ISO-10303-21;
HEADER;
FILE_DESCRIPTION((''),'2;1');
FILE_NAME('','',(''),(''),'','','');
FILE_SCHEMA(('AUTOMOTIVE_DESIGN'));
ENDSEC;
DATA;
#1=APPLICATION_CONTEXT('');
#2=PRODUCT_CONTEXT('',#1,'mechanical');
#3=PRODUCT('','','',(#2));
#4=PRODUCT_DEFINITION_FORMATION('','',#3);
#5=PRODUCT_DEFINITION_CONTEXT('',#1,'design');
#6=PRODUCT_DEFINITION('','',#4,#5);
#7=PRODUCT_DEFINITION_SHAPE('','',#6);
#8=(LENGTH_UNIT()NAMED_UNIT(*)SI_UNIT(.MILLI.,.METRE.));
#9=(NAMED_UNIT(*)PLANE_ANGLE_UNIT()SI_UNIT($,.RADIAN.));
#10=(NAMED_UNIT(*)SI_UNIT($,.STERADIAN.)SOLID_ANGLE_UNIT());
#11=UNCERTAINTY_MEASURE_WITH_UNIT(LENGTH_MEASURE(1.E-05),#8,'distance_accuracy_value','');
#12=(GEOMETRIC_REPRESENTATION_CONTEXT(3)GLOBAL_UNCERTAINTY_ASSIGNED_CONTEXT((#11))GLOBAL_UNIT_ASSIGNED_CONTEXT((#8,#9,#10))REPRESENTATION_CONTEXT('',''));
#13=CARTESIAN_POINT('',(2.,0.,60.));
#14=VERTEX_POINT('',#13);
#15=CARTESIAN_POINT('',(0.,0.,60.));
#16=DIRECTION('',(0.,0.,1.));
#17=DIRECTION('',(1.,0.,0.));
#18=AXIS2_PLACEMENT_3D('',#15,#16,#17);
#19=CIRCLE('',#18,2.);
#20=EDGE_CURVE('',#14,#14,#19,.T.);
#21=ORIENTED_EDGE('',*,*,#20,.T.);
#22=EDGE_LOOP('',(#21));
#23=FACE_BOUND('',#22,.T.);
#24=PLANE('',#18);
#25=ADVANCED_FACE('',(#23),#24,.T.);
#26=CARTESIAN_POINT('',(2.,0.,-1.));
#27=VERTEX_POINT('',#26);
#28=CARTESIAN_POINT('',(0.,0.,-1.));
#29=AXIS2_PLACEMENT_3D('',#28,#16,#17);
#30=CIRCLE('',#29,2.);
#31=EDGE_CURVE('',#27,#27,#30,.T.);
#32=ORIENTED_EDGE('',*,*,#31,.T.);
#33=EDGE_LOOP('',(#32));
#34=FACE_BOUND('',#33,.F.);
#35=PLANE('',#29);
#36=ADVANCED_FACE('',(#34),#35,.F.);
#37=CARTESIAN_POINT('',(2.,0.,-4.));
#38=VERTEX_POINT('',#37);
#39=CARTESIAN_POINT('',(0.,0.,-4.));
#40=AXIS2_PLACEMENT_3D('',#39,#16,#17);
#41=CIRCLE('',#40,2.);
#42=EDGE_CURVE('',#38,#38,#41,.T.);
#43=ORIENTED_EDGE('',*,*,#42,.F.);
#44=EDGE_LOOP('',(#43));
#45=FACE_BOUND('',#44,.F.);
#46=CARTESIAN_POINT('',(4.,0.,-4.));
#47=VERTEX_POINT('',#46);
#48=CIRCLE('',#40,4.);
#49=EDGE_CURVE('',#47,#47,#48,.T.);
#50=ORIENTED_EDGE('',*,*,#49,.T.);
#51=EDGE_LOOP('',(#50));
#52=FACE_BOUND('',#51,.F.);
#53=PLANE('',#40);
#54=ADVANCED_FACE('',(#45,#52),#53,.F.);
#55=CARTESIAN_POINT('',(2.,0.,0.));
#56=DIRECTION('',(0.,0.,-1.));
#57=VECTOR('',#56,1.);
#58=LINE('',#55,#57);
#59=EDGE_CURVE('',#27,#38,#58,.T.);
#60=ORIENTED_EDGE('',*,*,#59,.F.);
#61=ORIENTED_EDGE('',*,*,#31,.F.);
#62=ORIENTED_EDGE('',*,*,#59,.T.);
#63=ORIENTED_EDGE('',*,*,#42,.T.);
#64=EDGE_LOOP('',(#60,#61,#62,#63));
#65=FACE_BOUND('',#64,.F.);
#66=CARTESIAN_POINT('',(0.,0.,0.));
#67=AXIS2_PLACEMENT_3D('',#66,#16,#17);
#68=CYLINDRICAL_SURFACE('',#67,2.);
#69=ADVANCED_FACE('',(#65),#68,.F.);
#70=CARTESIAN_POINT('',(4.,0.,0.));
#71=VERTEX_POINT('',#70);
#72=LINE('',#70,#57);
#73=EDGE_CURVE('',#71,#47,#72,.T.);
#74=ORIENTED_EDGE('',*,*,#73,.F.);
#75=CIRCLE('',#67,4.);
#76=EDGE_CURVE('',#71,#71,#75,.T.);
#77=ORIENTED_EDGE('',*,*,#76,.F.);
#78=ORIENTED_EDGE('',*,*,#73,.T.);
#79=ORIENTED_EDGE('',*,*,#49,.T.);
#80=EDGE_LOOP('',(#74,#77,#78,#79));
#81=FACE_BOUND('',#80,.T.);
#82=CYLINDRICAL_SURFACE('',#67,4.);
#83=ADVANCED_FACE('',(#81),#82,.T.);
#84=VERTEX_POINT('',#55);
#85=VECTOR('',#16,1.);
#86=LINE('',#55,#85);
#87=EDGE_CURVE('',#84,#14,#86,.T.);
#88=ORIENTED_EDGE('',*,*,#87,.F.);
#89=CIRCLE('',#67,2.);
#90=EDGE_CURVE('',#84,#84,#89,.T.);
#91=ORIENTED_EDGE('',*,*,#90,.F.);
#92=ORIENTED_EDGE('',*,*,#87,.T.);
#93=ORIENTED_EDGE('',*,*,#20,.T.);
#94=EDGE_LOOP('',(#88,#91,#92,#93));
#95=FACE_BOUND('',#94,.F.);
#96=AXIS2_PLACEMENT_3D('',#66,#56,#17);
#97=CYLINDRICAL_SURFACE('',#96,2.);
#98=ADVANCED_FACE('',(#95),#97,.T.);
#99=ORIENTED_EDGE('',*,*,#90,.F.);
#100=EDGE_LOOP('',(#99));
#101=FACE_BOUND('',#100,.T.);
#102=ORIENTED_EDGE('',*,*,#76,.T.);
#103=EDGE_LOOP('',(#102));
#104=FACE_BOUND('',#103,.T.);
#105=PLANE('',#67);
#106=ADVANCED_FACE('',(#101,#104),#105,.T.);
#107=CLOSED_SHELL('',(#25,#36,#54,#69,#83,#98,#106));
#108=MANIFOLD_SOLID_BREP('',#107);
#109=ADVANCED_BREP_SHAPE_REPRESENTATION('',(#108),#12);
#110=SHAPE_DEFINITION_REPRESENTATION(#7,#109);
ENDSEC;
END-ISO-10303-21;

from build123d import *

# Parameters (mm, degrees)
F0_R     = 4
F0_R_2   = 2
F1_DEPTH = 4
F2_DEPTH = 60
F3_DEPTH = 1


with BuildPart() as f1:
    # F0 (on Top) → F1 (new body)
    with BuildSketch(Plane.XY):
        Circle(F0_R)
        Circle(F0_R_2, mode=Mode.SUBTRACT)
    extrude(amount=-F1_DEPTH)

    # F0 (on Top) → F2 (join)
    with BuildSketch(Plane.XY):
        Circle(F0_R_2)
    extrude(amount=F2_DEPTH)

    # F0 (on Top) → F3 (join)
    with BuildSketch(Plane.XY):
        Circle(F0_R)
        Circle(F0_R_2, mode=Mode.SUBTRACT)
        Circle(F0_R_2)
    extrude(amount=-F3_DEPTH)


solid = f1.part
